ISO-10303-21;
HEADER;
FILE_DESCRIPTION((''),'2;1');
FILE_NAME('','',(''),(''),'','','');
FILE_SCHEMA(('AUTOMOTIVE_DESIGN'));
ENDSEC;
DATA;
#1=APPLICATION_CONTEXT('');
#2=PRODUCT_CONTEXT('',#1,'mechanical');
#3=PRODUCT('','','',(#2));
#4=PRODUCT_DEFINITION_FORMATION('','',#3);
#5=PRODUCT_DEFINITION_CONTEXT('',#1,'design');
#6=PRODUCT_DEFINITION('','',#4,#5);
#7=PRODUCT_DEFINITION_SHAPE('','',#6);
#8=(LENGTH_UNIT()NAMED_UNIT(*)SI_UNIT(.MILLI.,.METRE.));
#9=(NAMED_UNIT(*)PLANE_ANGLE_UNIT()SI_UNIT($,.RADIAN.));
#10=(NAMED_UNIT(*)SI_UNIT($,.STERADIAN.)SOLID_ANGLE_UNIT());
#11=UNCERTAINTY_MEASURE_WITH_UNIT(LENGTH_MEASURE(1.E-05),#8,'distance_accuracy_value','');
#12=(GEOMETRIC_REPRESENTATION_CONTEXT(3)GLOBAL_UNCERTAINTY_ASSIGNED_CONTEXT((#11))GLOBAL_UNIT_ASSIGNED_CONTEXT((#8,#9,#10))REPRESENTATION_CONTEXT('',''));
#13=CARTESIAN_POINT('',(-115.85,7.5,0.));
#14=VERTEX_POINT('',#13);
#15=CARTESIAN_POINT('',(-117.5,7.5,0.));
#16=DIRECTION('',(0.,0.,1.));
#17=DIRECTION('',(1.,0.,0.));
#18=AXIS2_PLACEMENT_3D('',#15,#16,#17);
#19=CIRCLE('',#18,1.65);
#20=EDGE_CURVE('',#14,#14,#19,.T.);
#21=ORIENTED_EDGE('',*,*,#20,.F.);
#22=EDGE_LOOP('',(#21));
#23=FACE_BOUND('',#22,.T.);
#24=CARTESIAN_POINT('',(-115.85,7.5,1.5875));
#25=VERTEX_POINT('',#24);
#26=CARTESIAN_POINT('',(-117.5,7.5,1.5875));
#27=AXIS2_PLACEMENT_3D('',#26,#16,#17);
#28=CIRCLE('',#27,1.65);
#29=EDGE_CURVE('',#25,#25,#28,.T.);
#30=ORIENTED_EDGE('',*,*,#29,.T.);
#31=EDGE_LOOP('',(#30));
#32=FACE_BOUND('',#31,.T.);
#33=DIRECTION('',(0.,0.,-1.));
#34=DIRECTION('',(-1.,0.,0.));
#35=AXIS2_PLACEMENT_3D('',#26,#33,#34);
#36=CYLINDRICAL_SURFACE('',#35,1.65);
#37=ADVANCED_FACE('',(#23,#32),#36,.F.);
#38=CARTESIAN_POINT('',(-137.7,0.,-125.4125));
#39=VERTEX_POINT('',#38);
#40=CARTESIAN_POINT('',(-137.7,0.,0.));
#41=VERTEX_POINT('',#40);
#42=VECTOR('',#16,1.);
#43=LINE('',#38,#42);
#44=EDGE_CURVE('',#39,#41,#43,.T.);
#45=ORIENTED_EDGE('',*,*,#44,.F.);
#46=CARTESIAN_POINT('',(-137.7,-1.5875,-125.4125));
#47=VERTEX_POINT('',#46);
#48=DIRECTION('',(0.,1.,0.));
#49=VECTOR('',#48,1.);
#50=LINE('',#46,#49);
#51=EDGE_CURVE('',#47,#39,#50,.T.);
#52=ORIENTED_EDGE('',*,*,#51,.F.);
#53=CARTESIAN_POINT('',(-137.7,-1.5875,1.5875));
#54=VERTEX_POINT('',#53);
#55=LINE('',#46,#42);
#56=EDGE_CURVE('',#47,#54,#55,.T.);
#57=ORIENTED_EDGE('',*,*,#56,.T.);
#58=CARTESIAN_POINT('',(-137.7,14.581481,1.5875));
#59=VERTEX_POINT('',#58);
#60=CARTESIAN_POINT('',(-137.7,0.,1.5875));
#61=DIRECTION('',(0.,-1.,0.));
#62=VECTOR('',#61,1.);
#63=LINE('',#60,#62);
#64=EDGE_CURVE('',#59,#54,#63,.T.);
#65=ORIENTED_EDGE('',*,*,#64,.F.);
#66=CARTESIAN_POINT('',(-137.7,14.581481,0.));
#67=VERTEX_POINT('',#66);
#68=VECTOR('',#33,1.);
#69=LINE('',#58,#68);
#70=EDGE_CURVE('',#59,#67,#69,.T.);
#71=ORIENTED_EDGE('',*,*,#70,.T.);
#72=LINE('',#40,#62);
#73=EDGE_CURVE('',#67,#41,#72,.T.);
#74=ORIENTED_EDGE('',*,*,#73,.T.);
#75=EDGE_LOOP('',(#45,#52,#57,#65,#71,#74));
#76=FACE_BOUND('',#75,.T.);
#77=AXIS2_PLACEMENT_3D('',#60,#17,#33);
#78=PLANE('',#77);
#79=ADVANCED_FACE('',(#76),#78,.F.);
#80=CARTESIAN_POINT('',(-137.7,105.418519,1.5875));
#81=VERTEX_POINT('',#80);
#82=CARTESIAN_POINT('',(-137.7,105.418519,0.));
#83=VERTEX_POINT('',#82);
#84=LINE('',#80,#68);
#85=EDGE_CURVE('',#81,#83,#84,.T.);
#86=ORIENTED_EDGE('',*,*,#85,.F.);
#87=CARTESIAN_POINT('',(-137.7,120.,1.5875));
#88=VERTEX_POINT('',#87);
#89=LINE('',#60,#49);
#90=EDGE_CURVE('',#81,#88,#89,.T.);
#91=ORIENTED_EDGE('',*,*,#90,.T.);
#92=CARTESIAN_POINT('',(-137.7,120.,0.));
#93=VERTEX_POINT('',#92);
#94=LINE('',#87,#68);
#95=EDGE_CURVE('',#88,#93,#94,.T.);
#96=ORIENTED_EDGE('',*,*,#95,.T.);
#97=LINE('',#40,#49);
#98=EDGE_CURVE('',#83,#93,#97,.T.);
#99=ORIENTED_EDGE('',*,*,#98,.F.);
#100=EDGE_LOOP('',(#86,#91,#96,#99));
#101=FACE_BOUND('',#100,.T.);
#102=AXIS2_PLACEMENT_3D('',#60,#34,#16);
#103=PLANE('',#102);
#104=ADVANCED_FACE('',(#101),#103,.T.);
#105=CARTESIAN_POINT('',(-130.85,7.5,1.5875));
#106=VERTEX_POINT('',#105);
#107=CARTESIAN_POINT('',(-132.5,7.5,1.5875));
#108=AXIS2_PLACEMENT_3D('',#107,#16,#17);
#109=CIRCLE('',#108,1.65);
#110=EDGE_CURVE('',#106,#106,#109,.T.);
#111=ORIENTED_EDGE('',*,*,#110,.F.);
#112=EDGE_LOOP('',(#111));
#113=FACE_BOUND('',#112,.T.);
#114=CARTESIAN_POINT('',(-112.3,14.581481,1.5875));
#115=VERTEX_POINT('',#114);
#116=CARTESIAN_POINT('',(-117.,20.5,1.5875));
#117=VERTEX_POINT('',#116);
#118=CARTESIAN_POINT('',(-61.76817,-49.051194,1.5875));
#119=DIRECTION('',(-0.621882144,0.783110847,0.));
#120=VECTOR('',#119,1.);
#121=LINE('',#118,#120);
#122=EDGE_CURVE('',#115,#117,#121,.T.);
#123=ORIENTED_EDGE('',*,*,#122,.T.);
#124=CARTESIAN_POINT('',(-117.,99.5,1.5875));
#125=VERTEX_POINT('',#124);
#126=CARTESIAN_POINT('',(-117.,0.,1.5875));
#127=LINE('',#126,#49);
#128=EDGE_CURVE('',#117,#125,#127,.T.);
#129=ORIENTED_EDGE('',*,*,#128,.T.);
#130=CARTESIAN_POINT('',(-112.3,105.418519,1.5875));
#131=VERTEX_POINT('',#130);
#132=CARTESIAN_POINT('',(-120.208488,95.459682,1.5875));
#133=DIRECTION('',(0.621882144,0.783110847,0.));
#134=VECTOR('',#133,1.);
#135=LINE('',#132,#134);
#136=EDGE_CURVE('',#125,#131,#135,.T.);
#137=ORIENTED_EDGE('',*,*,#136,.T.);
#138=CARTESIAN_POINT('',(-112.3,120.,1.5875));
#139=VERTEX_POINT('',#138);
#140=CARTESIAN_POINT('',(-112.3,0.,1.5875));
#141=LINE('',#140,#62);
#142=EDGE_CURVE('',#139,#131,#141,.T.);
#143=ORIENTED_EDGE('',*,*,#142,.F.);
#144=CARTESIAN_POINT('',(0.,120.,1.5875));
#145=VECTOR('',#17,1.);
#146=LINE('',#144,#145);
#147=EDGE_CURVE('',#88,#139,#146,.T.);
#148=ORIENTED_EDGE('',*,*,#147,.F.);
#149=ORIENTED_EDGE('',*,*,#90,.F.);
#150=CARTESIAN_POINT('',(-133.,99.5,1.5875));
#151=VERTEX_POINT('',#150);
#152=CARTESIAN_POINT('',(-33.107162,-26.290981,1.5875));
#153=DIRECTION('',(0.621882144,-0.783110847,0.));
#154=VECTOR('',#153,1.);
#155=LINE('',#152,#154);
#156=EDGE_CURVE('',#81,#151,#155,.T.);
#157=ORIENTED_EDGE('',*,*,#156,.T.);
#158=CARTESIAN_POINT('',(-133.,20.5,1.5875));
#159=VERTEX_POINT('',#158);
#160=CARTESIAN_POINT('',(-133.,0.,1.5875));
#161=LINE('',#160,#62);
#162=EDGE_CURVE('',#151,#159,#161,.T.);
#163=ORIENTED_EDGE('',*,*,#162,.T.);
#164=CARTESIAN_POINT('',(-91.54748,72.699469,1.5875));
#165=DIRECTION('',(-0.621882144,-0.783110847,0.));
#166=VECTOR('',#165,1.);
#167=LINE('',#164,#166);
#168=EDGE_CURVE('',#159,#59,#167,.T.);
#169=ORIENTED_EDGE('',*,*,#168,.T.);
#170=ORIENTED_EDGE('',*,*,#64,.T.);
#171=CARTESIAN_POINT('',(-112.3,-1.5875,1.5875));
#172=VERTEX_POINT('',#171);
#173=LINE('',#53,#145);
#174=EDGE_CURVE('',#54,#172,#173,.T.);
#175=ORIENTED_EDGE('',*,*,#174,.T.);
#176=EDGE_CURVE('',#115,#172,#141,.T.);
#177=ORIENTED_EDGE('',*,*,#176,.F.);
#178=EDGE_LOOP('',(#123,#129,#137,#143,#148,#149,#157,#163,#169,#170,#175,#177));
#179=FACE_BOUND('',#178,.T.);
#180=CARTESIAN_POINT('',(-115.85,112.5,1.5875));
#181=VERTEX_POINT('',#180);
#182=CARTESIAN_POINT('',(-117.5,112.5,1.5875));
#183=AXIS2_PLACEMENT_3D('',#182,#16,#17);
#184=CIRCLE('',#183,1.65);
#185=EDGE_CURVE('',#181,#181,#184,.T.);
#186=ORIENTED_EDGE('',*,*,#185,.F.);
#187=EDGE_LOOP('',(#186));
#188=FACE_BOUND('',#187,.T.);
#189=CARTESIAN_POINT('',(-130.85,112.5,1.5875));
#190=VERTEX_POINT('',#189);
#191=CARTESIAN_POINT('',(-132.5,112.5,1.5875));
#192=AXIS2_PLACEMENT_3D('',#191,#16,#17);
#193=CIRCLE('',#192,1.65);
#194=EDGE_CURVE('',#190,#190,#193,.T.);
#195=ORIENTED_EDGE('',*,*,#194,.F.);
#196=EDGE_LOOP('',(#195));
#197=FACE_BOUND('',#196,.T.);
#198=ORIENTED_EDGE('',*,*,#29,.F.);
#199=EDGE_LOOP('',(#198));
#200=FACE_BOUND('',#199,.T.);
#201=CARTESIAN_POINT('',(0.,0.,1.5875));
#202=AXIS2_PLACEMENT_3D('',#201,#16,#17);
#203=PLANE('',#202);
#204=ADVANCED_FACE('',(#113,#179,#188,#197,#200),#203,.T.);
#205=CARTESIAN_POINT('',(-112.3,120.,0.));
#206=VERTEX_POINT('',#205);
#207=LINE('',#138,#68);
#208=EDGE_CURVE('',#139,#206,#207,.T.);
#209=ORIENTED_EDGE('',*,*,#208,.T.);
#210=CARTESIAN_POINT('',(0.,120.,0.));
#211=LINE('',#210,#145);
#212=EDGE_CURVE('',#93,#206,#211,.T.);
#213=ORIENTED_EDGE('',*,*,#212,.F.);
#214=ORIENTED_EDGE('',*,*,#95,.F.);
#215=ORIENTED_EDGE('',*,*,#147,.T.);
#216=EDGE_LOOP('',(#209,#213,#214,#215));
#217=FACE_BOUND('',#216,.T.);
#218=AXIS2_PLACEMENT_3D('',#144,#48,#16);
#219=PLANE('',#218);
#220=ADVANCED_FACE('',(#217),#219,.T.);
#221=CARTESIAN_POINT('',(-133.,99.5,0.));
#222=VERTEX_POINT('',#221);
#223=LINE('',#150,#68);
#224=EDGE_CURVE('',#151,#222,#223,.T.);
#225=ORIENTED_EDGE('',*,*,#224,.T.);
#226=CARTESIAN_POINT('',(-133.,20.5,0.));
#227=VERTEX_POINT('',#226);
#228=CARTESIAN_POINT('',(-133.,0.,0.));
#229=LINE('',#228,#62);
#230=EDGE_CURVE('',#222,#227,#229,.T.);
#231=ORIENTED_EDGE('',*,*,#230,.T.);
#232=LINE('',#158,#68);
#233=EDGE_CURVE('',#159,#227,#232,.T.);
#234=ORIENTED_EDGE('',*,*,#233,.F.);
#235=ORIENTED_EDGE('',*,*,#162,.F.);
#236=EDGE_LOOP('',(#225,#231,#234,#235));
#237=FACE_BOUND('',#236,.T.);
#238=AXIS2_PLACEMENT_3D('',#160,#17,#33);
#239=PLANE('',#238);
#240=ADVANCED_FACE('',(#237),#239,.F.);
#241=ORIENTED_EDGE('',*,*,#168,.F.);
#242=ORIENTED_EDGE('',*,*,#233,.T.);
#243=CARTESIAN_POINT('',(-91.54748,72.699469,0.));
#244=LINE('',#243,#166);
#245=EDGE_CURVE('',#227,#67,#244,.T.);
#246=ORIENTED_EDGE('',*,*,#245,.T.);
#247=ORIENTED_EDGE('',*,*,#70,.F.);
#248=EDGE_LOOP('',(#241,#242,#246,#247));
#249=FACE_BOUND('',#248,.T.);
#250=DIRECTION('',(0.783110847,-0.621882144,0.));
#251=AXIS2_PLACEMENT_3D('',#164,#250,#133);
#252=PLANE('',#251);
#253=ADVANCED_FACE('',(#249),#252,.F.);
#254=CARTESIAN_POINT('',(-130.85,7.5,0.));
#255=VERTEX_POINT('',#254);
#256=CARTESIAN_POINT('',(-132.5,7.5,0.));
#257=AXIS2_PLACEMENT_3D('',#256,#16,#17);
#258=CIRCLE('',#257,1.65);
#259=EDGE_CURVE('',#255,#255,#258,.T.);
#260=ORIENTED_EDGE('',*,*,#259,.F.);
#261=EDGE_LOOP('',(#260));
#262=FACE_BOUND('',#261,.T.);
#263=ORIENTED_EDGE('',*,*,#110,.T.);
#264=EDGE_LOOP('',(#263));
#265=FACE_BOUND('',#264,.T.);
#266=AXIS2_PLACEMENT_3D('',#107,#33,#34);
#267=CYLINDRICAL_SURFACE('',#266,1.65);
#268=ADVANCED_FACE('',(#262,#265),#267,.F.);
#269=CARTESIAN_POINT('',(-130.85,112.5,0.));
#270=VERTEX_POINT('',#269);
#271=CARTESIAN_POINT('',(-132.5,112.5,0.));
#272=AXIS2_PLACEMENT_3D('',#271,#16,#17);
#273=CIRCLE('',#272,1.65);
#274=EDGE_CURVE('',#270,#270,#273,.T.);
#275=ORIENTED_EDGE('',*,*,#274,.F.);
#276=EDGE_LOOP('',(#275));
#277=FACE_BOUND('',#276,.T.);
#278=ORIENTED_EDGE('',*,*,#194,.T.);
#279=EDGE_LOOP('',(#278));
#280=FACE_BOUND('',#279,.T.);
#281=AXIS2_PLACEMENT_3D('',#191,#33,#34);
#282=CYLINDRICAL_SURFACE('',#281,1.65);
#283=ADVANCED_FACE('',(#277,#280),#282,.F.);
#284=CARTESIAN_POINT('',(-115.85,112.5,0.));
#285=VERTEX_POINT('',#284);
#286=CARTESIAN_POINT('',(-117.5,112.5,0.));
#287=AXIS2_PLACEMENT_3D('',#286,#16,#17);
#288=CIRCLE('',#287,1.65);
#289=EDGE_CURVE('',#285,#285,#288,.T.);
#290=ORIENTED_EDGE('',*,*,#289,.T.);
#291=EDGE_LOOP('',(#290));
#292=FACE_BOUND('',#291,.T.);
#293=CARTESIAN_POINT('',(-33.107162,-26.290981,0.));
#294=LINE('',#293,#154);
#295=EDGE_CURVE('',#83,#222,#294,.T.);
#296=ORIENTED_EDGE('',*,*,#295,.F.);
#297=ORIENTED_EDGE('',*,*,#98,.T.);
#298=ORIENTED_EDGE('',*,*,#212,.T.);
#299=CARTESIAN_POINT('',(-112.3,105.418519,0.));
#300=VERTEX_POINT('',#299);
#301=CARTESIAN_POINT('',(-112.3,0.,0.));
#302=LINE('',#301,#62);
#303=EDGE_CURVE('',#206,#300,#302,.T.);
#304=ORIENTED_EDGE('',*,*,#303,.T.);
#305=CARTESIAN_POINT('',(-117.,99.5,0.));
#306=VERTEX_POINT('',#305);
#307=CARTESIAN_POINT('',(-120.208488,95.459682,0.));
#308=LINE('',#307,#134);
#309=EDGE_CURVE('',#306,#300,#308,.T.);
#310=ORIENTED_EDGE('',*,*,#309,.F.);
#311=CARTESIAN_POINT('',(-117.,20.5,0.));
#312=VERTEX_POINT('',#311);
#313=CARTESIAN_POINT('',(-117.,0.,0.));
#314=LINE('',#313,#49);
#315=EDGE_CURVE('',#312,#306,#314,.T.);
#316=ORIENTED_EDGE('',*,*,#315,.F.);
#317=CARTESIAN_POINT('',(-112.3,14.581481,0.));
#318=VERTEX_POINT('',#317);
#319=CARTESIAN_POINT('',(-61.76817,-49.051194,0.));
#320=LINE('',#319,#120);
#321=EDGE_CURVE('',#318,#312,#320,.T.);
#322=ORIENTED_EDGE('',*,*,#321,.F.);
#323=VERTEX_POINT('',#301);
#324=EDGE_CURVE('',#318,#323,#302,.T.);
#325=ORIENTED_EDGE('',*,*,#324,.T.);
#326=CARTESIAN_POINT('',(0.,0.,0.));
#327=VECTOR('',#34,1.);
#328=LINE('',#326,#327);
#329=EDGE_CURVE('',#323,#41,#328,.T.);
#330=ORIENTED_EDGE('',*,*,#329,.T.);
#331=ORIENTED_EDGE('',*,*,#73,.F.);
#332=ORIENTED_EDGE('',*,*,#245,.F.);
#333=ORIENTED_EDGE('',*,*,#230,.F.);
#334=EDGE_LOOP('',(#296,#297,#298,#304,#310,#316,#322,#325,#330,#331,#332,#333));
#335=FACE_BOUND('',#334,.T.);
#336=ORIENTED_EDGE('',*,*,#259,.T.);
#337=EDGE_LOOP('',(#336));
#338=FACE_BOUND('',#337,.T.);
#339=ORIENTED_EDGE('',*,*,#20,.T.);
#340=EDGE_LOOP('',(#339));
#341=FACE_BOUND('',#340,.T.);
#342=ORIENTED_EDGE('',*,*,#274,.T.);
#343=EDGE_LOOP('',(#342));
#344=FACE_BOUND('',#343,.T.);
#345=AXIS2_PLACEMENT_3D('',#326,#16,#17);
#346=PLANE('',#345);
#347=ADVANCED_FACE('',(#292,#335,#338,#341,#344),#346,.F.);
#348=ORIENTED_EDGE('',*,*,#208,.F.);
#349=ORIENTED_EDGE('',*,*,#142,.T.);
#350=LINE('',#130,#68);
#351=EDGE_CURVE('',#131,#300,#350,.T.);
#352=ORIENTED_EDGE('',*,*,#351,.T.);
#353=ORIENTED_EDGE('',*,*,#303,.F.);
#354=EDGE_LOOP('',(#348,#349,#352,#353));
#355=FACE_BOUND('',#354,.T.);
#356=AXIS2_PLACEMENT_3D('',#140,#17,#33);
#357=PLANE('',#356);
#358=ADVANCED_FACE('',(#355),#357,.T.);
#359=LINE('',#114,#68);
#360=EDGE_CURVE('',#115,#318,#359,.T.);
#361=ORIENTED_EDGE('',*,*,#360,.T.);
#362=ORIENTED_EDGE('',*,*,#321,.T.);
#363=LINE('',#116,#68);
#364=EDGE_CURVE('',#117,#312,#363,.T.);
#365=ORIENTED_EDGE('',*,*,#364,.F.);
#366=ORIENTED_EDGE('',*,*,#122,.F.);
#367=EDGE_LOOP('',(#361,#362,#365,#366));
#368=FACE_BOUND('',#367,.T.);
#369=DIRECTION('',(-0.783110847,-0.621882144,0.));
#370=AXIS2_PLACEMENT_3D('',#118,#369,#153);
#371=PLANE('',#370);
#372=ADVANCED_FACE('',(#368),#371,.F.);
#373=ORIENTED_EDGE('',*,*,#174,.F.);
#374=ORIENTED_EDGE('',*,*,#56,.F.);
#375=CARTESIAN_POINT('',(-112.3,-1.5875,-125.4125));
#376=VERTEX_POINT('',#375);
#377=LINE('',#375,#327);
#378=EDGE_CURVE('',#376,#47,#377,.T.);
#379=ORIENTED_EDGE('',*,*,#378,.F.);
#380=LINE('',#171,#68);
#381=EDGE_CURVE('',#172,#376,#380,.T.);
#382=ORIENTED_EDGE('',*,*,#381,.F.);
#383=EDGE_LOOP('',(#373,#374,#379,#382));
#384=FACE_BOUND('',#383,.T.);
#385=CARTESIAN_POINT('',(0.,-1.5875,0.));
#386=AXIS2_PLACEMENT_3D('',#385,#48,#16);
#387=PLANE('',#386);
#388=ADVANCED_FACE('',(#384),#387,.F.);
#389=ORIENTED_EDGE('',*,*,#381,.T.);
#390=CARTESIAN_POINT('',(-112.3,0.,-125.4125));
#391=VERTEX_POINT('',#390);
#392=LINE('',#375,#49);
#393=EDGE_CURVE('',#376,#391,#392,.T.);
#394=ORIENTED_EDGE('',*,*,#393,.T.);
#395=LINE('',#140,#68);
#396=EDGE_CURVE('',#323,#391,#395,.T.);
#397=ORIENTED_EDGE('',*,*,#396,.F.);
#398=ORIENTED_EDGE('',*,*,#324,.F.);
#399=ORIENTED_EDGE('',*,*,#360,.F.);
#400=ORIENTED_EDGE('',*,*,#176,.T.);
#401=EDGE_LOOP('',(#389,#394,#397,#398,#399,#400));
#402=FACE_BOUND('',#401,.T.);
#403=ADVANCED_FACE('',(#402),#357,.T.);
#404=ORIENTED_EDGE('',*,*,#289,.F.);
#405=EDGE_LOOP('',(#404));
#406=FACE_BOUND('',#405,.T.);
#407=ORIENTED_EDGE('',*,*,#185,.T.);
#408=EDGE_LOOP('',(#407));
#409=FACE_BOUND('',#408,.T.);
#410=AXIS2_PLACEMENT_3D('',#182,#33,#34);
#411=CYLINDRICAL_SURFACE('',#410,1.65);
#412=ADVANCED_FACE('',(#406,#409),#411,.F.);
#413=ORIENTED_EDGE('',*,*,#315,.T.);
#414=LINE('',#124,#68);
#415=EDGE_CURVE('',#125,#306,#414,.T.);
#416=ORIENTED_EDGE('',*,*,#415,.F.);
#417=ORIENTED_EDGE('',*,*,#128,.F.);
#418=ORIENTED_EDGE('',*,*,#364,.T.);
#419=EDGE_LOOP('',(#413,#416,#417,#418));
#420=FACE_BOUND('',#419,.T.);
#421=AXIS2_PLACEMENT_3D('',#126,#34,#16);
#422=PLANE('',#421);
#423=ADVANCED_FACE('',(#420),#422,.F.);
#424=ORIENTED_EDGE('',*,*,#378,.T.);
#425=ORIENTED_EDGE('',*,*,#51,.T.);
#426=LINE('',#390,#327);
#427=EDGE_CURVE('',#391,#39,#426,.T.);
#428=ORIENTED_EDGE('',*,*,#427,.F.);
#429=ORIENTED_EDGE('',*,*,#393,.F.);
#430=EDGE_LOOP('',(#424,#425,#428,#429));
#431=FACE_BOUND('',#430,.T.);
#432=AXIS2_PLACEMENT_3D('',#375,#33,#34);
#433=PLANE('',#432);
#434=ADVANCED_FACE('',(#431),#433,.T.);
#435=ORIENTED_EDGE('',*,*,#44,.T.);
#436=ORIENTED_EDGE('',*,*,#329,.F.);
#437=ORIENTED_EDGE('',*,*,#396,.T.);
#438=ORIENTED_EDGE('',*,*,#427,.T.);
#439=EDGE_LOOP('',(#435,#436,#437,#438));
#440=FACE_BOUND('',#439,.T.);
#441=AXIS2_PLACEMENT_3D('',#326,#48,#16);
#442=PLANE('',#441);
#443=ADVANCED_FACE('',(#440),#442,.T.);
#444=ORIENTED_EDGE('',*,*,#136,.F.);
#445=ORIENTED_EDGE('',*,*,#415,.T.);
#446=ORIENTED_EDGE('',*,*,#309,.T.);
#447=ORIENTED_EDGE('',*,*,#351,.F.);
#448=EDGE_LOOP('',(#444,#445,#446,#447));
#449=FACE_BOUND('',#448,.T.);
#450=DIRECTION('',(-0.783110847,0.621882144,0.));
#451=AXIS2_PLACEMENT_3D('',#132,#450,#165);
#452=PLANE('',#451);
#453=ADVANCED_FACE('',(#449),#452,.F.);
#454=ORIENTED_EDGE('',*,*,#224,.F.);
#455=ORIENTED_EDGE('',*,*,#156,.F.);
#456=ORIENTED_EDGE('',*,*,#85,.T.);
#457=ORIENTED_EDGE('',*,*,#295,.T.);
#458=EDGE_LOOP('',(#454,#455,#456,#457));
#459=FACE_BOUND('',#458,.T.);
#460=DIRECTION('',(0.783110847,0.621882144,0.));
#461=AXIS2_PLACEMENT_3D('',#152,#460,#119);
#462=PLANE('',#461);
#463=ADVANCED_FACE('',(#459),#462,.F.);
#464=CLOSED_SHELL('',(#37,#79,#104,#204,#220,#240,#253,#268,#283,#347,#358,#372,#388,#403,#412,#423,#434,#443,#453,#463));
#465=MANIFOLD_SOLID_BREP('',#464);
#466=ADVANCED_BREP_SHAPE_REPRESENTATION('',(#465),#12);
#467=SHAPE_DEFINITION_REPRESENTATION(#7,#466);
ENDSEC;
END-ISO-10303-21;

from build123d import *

# Parameters (mm, degrees)
BOSS_EXTRUDE1_DEPTH = 1.5875
SKETCH2_W           = 25.4
SKETCH2_H           = 127
BOSS_EXTRUDE2_DEPTH = 1.5875


with BuildPart() as part:
    # Sketch1 → Boss-Extrude1 (new body)
    with BuildSketch(Plane.XY):
        Polygon((-117, 20.5), (-117, 99.5), (-112.3, 105.418518519), (-112.3, 120), (-137.7, 120), (-137.7, 105.418518519), (-133, 99.5), (-133, 20.5), (-137.7, 14.581481481), (-137.7, 0), (-112.3, 0), (-112.3, 14.581481481), align=None)
        with BuildLine():
            ThreePointArc((-130.85, 7.5), (-132.5, 5.85), (-134.15, 7.5))
            ThreePointArc((-134.15, 7.5), (-132.5, 9.15), (-130.85, 7.5))
        make_face(mode=Mode.SUBTRACT)
        with BuildLine():
            ThreePointArc((-119.15, 7.5), (-117.5, 9.15), (-115.85, 7.5))
            ThreePointArc((-115.85, 7.5), (-117.5, 5.85), (-119.15, 7.5))
        make_face(mode=Mode.SUBTRACT)
        with BuildLine():
            ThreePointArc((-130.85, 112.5), (-132.5, 110.85), (-134.15, 112.5))
            ThreePointArc((-134.15, 112.5), (-132.5, 114.15), (-130.85, 112.5))
        make_face(mode=Mode.SUBTRACT)
        with BuildLine():
            ThreePointArc((-115.85, 112.5), (-117.5, 110.85), (-119.15, 112.5))
            ThreePointArc((-119.15, 112.5), (-117.5, 114.15), (-115.85, 112.5))
        make_face(mode=Mode.SUBTRACT)
    extrude(amount=BOSS_EXTRUDE1_DEPTH)

    # Sketch2 → Boss-Extrude2 (add)
    with BuildSketch(Plane(origin=(0, 0, 0), x_dir=(1, 0, 0), z_dir=(0, 1, 0))):
        with Locations((-125, 61.9125)):
            Rectangle(SKETCH2_W, SKETCH2_H)
    extrude(amount=-BOSS_EXTRUDE2_DEPTH)


solid = part.part
